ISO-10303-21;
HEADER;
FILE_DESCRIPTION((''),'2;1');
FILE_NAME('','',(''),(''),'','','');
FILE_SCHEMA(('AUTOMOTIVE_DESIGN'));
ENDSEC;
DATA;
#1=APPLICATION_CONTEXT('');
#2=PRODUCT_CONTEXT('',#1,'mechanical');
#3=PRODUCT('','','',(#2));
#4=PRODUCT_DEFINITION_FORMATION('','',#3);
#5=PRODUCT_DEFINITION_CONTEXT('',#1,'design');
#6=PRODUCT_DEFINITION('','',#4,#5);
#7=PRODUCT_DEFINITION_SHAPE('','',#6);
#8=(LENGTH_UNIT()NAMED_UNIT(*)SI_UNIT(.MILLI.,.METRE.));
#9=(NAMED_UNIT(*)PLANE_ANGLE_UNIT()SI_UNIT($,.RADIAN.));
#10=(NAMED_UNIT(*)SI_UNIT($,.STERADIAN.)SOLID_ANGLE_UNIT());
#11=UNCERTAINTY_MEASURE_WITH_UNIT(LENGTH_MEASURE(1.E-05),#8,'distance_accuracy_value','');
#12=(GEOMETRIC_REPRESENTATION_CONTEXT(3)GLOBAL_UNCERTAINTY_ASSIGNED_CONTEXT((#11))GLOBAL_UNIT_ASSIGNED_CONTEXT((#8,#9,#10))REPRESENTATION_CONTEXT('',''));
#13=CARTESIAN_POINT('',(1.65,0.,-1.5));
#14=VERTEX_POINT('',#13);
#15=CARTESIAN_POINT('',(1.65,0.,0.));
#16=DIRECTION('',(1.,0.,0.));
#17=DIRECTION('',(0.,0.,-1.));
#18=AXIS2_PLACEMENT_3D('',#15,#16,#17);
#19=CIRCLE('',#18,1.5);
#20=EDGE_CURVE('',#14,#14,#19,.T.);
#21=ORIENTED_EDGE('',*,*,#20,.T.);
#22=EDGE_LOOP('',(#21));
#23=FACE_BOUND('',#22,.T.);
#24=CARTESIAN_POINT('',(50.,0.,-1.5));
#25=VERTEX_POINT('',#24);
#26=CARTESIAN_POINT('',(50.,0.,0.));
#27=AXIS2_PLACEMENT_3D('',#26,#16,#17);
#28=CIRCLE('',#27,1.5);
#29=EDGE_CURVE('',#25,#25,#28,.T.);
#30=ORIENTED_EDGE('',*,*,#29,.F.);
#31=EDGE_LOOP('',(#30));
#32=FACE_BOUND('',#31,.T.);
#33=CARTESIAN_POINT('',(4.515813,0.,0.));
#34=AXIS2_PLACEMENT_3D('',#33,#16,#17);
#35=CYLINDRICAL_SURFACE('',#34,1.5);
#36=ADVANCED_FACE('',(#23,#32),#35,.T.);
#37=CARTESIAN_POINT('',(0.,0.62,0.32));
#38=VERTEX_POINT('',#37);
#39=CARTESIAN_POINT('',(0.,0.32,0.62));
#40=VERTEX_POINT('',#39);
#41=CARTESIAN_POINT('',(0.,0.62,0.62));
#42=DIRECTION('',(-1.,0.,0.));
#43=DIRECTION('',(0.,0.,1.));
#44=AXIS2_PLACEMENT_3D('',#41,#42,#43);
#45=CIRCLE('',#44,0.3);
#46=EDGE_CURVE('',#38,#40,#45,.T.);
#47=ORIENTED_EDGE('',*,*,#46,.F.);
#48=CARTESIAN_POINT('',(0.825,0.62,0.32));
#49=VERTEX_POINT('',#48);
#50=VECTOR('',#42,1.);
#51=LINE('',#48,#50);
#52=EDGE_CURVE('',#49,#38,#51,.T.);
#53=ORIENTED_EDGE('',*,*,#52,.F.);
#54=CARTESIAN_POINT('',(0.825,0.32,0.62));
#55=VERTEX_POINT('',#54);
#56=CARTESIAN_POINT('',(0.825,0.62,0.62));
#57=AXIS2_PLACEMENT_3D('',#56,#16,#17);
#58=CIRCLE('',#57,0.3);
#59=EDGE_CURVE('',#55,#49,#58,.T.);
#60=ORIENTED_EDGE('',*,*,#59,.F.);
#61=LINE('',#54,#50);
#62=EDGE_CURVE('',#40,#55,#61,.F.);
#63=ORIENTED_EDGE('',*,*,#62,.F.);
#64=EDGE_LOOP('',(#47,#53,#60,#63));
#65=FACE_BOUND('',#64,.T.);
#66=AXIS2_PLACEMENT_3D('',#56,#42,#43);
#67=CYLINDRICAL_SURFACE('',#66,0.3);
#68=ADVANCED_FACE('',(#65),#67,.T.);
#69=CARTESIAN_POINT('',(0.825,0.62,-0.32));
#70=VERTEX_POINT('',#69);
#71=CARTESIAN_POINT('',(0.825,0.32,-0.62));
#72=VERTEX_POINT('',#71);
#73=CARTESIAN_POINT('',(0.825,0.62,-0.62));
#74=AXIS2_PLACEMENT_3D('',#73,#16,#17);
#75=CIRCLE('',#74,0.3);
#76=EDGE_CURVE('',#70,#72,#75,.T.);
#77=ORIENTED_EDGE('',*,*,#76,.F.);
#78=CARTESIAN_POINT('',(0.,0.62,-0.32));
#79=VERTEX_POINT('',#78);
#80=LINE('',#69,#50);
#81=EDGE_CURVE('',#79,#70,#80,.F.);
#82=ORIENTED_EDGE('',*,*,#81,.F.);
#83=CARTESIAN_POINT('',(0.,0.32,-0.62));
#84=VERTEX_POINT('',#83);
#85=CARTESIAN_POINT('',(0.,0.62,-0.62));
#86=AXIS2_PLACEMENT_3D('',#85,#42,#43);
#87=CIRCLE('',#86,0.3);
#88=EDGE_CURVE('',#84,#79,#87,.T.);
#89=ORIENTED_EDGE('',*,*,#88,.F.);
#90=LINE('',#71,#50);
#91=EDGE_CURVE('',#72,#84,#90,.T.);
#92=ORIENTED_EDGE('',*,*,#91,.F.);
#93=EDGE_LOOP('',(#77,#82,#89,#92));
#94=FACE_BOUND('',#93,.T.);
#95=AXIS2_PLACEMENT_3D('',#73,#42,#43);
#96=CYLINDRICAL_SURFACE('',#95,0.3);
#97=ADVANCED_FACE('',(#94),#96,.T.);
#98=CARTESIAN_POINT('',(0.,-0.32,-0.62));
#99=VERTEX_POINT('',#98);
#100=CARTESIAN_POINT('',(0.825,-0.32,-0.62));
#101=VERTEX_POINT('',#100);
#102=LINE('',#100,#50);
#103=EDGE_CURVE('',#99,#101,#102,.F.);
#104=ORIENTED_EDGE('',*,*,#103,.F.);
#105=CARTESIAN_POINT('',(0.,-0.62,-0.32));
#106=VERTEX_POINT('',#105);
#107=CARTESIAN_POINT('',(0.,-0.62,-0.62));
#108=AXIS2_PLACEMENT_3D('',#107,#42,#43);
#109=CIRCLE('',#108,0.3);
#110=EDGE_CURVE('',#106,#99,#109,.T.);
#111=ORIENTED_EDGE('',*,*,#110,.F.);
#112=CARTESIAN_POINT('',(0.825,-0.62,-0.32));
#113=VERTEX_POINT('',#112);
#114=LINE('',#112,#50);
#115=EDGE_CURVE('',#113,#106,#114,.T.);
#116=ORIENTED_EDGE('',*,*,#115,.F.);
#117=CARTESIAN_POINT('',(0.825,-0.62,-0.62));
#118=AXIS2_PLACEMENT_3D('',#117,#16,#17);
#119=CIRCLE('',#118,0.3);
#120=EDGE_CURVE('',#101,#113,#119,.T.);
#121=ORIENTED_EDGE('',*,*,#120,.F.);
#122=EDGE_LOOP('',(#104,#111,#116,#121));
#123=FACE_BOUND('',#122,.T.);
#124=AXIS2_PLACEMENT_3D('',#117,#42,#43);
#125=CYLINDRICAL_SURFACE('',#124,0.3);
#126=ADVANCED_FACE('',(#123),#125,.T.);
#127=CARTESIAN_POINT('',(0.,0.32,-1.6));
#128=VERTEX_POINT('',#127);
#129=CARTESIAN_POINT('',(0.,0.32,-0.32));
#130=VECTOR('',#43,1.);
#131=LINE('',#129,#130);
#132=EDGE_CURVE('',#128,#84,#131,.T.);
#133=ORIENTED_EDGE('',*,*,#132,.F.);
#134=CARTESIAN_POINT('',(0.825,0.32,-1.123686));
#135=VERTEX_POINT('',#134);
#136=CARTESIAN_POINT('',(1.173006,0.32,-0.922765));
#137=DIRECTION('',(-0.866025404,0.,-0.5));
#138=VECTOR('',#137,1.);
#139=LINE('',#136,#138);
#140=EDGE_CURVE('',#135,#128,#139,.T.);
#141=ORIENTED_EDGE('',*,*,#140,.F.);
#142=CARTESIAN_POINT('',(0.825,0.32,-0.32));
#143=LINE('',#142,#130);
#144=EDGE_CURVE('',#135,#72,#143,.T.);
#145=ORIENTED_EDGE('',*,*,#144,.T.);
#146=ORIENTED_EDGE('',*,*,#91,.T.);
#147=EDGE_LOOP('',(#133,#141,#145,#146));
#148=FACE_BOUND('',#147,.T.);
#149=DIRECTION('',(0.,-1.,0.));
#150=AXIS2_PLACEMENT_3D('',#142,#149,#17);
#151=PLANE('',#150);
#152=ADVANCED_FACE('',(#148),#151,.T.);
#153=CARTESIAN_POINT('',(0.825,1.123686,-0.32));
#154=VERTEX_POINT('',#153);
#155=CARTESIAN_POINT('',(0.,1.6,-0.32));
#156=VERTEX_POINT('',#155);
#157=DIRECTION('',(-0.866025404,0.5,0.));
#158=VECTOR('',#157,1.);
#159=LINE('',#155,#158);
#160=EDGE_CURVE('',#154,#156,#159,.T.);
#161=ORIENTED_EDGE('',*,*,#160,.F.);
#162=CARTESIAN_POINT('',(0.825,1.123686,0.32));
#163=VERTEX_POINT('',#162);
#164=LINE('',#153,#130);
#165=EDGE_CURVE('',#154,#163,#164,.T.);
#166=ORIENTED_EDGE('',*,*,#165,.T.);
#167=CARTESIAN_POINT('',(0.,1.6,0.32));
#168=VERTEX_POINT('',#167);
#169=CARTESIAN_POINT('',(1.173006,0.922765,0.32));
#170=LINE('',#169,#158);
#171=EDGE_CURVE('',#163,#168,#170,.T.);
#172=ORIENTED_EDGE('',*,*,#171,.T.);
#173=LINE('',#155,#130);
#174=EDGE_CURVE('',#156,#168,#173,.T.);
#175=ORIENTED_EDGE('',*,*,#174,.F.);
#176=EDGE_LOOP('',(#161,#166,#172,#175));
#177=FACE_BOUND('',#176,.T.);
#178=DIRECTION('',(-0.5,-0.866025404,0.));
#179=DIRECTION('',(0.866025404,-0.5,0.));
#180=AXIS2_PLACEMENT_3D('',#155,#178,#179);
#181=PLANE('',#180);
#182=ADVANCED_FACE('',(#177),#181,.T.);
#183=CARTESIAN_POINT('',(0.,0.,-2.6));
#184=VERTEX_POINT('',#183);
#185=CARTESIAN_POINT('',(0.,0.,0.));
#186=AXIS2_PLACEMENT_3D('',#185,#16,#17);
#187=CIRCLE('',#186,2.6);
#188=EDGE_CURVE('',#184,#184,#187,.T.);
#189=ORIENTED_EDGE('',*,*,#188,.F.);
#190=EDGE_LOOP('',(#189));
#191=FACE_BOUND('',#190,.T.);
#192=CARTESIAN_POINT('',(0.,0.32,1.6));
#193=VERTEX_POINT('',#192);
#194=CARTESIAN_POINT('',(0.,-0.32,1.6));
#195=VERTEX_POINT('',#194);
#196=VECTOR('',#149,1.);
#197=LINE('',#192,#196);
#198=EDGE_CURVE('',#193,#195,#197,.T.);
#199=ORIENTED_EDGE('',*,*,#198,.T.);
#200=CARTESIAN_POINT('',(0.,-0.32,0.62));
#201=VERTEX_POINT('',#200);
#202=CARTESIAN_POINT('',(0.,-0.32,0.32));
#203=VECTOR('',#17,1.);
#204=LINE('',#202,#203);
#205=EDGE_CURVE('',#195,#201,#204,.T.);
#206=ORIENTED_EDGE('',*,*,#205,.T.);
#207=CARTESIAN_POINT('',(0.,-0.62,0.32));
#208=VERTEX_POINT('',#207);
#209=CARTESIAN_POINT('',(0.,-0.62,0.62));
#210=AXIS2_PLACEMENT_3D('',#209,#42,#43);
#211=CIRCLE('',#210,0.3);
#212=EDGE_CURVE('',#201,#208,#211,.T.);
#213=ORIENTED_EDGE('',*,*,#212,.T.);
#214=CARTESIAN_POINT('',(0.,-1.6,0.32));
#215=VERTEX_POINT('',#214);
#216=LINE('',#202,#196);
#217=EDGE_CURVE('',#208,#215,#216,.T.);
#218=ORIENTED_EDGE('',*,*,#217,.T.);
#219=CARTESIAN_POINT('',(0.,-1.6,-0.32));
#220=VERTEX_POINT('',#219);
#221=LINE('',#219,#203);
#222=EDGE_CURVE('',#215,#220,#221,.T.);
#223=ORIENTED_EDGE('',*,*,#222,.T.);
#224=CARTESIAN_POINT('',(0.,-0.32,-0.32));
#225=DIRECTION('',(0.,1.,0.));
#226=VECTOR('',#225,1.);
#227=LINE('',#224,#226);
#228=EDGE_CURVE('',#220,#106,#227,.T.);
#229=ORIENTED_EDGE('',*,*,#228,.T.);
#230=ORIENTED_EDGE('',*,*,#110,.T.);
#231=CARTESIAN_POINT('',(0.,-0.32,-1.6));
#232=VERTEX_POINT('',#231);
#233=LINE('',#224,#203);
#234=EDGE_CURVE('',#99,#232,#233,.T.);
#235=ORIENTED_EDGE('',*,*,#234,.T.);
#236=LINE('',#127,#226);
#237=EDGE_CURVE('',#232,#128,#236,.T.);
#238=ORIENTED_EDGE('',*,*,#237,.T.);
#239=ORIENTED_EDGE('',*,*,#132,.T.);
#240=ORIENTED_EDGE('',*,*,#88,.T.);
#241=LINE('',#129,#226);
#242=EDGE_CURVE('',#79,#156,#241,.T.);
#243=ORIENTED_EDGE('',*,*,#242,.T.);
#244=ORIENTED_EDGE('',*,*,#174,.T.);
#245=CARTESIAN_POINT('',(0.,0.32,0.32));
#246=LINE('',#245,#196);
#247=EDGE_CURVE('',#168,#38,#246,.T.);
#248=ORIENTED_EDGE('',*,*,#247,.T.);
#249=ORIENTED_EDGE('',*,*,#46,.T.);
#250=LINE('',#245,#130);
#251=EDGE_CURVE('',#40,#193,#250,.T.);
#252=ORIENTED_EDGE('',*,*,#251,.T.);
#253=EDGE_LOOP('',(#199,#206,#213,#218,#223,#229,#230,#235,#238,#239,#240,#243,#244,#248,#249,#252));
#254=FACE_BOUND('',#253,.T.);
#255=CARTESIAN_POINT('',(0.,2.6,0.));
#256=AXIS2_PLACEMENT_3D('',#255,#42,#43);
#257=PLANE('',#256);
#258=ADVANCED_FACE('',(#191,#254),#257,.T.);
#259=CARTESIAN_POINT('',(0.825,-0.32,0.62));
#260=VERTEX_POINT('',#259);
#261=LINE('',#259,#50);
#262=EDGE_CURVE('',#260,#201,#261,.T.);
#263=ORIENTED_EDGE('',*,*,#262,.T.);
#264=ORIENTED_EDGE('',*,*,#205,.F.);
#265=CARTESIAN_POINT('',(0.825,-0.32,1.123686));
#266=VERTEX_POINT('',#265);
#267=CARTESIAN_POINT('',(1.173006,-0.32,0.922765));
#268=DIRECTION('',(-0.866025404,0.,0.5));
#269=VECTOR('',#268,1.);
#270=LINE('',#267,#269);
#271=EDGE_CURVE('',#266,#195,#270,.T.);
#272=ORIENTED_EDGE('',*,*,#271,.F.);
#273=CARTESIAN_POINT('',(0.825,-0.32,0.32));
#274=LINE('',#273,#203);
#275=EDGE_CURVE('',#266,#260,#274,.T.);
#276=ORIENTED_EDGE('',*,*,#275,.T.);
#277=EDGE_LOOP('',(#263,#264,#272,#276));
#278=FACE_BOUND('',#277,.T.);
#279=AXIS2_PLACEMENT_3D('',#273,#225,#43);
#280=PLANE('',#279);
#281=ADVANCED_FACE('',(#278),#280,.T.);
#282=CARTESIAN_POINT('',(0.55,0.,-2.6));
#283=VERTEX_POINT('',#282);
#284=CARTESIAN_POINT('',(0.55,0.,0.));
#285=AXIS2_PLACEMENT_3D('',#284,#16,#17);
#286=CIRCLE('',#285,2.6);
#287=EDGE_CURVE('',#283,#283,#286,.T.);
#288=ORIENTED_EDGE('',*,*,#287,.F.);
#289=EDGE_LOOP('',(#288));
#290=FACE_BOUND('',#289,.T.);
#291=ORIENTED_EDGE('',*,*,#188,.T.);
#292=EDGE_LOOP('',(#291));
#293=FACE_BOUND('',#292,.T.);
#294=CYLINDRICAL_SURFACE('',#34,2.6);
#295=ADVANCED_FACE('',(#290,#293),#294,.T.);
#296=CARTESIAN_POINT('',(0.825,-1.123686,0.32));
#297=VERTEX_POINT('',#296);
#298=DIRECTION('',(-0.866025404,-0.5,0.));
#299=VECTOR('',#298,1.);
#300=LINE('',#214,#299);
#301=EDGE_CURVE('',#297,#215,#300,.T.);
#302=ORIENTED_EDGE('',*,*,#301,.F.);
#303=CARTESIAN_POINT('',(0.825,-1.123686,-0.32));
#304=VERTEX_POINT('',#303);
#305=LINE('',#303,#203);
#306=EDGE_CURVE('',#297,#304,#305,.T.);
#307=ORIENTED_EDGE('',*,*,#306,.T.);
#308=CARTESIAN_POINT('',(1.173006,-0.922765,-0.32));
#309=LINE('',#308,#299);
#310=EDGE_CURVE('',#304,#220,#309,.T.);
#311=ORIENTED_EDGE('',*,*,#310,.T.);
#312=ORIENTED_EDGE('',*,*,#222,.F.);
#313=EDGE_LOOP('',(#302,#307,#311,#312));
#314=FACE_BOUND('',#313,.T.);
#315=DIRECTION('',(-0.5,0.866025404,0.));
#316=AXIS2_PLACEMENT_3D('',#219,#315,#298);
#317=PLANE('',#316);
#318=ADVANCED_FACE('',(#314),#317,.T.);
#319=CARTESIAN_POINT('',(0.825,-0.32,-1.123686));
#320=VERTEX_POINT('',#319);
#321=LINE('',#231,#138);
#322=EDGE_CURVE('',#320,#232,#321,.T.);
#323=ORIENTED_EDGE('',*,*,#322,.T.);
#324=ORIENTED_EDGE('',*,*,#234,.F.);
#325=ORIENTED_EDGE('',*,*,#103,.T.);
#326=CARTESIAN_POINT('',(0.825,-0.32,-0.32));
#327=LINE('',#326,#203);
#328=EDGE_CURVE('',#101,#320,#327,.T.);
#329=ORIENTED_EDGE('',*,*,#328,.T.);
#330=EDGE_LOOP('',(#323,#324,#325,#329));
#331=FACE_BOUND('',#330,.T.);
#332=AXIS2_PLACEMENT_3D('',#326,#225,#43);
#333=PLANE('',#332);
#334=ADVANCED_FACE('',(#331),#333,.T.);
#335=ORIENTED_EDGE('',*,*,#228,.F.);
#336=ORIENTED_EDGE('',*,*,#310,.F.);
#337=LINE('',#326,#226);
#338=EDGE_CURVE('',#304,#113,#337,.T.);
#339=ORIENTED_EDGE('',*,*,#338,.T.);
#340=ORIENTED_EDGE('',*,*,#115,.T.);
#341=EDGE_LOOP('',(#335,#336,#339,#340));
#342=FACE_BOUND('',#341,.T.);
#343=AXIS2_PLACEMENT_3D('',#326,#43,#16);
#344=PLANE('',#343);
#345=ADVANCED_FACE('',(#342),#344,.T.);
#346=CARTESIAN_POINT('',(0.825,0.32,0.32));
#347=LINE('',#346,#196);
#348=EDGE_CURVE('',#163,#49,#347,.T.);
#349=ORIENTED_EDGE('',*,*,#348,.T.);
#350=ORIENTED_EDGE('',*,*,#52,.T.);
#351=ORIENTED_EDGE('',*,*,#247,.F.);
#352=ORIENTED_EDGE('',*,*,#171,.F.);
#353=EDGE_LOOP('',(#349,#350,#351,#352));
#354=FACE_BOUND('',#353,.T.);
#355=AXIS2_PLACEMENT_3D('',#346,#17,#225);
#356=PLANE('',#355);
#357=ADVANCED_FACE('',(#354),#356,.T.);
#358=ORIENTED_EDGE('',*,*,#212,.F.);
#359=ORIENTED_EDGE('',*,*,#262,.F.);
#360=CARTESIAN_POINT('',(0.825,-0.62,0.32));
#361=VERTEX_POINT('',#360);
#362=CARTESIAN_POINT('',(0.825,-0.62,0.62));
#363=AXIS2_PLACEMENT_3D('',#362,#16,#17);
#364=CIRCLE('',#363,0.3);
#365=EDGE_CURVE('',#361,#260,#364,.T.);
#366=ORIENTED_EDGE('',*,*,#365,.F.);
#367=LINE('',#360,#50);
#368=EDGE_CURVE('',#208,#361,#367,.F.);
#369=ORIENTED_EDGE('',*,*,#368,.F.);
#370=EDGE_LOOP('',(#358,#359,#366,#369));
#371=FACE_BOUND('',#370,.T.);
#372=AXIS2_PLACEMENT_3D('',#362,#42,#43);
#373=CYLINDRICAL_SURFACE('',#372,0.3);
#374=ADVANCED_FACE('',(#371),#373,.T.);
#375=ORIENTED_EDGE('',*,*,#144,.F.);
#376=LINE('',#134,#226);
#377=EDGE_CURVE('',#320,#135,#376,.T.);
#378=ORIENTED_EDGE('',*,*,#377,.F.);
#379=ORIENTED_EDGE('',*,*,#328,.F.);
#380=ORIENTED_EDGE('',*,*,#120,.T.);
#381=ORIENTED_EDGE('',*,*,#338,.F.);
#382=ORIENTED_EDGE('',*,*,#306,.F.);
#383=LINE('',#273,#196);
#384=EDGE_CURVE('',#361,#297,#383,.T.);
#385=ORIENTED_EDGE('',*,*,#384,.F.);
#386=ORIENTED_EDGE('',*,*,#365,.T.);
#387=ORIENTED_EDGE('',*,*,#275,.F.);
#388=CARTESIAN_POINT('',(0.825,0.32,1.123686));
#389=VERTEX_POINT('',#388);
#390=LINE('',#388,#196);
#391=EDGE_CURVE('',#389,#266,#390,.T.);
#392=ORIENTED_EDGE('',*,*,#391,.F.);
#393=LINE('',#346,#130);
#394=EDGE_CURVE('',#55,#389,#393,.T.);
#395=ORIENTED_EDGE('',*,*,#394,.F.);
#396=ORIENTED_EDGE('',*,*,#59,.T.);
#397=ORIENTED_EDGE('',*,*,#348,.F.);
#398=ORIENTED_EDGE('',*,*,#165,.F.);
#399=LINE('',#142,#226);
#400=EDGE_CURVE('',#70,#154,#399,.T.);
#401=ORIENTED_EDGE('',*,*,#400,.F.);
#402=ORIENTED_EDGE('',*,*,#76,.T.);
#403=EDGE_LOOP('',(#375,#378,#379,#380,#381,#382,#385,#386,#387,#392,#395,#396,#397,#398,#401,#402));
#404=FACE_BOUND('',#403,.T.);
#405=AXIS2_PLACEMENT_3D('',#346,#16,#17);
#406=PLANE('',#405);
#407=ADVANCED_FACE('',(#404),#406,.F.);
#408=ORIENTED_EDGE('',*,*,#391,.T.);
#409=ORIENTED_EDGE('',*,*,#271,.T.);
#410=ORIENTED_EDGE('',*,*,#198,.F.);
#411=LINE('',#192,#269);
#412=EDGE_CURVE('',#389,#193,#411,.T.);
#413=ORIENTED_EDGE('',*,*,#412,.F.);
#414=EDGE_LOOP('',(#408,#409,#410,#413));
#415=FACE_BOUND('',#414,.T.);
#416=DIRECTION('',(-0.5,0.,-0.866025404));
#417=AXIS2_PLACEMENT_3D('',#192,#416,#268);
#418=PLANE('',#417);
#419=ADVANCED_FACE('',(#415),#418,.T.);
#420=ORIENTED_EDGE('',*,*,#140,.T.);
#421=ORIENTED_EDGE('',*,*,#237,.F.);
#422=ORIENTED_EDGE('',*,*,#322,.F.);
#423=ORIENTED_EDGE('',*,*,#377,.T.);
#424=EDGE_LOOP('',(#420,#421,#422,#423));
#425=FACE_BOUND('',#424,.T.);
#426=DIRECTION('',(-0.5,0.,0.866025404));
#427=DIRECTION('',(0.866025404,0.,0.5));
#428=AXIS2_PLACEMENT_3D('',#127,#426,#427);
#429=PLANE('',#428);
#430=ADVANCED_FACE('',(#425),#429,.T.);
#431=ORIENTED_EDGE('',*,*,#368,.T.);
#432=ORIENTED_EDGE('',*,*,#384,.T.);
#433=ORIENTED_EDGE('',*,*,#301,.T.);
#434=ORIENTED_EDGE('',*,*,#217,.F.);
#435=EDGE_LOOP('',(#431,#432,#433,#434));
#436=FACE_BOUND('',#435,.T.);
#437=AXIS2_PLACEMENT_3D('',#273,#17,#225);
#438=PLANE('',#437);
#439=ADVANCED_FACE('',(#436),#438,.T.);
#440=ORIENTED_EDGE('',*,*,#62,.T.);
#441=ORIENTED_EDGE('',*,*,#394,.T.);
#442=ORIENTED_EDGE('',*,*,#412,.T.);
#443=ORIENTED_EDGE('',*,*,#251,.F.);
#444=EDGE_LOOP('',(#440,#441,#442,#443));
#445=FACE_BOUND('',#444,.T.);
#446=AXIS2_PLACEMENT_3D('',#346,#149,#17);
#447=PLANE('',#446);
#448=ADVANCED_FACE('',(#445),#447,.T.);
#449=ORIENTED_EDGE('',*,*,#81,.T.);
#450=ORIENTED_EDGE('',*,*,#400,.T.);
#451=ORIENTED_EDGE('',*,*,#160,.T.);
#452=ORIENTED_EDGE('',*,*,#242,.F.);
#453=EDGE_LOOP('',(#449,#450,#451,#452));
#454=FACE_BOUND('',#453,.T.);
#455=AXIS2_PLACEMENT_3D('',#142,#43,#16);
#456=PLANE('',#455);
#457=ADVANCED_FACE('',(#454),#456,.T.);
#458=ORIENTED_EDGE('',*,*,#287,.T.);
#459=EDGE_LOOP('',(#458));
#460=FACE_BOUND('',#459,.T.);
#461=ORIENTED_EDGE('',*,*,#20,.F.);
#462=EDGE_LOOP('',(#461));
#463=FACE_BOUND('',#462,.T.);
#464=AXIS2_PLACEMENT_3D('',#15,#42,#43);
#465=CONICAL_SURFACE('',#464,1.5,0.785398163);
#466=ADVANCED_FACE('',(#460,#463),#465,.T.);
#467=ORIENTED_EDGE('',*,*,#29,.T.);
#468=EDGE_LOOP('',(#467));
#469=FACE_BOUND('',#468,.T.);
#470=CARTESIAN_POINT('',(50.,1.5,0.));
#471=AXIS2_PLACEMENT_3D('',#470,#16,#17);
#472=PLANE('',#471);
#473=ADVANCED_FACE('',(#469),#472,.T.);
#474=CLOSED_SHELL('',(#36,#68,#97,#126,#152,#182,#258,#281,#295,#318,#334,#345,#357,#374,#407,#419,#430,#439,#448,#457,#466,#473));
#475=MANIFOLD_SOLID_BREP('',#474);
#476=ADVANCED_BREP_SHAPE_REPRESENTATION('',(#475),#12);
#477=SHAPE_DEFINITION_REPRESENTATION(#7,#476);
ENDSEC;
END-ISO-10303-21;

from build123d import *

# Parameters (mm, degrees)
CROSSRECESS_DEPTH = 0.825
DRAFT9_ANGLE      = 30
FILLET5_R         = 0.3
SKETCH10_W        = 0.5
SKETCH10_H        = 1.5


with BuildPart() as part:
    # Sketch1 → Base (revolve)
    with BuildSketch(Plane.XY):
        Polygon((50, 1.5), (2.65, 1.5), (1.65, 1.5), (0.55, 2.6), (0, 2.6), (0, 0), (50, 0), align=None)
    revolve(axis=Axis((4.515812911, 0, 0), (-1, 0, 0)))

    # Sketch6 → CrossRecess (cut)
    with BuildSketch(Plane(origin=(0, 0, 0), x_dir=(0, 0, -1), z_dir=(1, 0, 0))):
        Polygon((0.32, 0.32), (0.32, 1.6), (-0.32, 1.6), (-0.32, 0.32), (-1.6, 0.32), (-1.6, -0.32), (-0.32, -0.32), (-0.32, -1.6), (0.32, -1.6), (0.32, -0.32), (1.6, -0.32), (1.6, 0.32), align=None)
    extrude(amount=CROSSRECESS_DEPTH, mode=Mode.SUBTRACT)

    # Draft9
    draft9_faces = [part.faces().sort_by_distance(p)[0] for p in [
        (0.4125, -1.6, 0),
        (0.4125, 0, 1.6),
        (0.4125, 0, -1.6),
        (0.4125, 1.6, 0),
    ]]
    draft(draft9_faces, Plane(origin=(0, 2.6, 0), x_dir=(0, 0, -1), z_dir=(-1, 0, 0)), DRAFT9_ANGLE)

    # Fillet5
    fillet5_edges = [part.edges().sort_by_distance(p)[0] for p in [
        (0.4125, 0.32, 0.32),
        (0.4125, -0.32, 0.32),
        (0.4125, -0.32, -0.32),
        (0.4125, 0.32, -0.32),
    ]]
    fillet(fillet5_edges, radius=FILLET5_R)

    # Sketch10 → Revolve2 (revolve)
    with BuildSketch(Plane.XY):
        with Locations((1.9, 0.75)):
            Rectangle(SKETCH10_W, SKETCH10_H)
    revolve(axis=Axis((62.228915663, 0, 0), (-1, 0, 0)))


solid = part.part
